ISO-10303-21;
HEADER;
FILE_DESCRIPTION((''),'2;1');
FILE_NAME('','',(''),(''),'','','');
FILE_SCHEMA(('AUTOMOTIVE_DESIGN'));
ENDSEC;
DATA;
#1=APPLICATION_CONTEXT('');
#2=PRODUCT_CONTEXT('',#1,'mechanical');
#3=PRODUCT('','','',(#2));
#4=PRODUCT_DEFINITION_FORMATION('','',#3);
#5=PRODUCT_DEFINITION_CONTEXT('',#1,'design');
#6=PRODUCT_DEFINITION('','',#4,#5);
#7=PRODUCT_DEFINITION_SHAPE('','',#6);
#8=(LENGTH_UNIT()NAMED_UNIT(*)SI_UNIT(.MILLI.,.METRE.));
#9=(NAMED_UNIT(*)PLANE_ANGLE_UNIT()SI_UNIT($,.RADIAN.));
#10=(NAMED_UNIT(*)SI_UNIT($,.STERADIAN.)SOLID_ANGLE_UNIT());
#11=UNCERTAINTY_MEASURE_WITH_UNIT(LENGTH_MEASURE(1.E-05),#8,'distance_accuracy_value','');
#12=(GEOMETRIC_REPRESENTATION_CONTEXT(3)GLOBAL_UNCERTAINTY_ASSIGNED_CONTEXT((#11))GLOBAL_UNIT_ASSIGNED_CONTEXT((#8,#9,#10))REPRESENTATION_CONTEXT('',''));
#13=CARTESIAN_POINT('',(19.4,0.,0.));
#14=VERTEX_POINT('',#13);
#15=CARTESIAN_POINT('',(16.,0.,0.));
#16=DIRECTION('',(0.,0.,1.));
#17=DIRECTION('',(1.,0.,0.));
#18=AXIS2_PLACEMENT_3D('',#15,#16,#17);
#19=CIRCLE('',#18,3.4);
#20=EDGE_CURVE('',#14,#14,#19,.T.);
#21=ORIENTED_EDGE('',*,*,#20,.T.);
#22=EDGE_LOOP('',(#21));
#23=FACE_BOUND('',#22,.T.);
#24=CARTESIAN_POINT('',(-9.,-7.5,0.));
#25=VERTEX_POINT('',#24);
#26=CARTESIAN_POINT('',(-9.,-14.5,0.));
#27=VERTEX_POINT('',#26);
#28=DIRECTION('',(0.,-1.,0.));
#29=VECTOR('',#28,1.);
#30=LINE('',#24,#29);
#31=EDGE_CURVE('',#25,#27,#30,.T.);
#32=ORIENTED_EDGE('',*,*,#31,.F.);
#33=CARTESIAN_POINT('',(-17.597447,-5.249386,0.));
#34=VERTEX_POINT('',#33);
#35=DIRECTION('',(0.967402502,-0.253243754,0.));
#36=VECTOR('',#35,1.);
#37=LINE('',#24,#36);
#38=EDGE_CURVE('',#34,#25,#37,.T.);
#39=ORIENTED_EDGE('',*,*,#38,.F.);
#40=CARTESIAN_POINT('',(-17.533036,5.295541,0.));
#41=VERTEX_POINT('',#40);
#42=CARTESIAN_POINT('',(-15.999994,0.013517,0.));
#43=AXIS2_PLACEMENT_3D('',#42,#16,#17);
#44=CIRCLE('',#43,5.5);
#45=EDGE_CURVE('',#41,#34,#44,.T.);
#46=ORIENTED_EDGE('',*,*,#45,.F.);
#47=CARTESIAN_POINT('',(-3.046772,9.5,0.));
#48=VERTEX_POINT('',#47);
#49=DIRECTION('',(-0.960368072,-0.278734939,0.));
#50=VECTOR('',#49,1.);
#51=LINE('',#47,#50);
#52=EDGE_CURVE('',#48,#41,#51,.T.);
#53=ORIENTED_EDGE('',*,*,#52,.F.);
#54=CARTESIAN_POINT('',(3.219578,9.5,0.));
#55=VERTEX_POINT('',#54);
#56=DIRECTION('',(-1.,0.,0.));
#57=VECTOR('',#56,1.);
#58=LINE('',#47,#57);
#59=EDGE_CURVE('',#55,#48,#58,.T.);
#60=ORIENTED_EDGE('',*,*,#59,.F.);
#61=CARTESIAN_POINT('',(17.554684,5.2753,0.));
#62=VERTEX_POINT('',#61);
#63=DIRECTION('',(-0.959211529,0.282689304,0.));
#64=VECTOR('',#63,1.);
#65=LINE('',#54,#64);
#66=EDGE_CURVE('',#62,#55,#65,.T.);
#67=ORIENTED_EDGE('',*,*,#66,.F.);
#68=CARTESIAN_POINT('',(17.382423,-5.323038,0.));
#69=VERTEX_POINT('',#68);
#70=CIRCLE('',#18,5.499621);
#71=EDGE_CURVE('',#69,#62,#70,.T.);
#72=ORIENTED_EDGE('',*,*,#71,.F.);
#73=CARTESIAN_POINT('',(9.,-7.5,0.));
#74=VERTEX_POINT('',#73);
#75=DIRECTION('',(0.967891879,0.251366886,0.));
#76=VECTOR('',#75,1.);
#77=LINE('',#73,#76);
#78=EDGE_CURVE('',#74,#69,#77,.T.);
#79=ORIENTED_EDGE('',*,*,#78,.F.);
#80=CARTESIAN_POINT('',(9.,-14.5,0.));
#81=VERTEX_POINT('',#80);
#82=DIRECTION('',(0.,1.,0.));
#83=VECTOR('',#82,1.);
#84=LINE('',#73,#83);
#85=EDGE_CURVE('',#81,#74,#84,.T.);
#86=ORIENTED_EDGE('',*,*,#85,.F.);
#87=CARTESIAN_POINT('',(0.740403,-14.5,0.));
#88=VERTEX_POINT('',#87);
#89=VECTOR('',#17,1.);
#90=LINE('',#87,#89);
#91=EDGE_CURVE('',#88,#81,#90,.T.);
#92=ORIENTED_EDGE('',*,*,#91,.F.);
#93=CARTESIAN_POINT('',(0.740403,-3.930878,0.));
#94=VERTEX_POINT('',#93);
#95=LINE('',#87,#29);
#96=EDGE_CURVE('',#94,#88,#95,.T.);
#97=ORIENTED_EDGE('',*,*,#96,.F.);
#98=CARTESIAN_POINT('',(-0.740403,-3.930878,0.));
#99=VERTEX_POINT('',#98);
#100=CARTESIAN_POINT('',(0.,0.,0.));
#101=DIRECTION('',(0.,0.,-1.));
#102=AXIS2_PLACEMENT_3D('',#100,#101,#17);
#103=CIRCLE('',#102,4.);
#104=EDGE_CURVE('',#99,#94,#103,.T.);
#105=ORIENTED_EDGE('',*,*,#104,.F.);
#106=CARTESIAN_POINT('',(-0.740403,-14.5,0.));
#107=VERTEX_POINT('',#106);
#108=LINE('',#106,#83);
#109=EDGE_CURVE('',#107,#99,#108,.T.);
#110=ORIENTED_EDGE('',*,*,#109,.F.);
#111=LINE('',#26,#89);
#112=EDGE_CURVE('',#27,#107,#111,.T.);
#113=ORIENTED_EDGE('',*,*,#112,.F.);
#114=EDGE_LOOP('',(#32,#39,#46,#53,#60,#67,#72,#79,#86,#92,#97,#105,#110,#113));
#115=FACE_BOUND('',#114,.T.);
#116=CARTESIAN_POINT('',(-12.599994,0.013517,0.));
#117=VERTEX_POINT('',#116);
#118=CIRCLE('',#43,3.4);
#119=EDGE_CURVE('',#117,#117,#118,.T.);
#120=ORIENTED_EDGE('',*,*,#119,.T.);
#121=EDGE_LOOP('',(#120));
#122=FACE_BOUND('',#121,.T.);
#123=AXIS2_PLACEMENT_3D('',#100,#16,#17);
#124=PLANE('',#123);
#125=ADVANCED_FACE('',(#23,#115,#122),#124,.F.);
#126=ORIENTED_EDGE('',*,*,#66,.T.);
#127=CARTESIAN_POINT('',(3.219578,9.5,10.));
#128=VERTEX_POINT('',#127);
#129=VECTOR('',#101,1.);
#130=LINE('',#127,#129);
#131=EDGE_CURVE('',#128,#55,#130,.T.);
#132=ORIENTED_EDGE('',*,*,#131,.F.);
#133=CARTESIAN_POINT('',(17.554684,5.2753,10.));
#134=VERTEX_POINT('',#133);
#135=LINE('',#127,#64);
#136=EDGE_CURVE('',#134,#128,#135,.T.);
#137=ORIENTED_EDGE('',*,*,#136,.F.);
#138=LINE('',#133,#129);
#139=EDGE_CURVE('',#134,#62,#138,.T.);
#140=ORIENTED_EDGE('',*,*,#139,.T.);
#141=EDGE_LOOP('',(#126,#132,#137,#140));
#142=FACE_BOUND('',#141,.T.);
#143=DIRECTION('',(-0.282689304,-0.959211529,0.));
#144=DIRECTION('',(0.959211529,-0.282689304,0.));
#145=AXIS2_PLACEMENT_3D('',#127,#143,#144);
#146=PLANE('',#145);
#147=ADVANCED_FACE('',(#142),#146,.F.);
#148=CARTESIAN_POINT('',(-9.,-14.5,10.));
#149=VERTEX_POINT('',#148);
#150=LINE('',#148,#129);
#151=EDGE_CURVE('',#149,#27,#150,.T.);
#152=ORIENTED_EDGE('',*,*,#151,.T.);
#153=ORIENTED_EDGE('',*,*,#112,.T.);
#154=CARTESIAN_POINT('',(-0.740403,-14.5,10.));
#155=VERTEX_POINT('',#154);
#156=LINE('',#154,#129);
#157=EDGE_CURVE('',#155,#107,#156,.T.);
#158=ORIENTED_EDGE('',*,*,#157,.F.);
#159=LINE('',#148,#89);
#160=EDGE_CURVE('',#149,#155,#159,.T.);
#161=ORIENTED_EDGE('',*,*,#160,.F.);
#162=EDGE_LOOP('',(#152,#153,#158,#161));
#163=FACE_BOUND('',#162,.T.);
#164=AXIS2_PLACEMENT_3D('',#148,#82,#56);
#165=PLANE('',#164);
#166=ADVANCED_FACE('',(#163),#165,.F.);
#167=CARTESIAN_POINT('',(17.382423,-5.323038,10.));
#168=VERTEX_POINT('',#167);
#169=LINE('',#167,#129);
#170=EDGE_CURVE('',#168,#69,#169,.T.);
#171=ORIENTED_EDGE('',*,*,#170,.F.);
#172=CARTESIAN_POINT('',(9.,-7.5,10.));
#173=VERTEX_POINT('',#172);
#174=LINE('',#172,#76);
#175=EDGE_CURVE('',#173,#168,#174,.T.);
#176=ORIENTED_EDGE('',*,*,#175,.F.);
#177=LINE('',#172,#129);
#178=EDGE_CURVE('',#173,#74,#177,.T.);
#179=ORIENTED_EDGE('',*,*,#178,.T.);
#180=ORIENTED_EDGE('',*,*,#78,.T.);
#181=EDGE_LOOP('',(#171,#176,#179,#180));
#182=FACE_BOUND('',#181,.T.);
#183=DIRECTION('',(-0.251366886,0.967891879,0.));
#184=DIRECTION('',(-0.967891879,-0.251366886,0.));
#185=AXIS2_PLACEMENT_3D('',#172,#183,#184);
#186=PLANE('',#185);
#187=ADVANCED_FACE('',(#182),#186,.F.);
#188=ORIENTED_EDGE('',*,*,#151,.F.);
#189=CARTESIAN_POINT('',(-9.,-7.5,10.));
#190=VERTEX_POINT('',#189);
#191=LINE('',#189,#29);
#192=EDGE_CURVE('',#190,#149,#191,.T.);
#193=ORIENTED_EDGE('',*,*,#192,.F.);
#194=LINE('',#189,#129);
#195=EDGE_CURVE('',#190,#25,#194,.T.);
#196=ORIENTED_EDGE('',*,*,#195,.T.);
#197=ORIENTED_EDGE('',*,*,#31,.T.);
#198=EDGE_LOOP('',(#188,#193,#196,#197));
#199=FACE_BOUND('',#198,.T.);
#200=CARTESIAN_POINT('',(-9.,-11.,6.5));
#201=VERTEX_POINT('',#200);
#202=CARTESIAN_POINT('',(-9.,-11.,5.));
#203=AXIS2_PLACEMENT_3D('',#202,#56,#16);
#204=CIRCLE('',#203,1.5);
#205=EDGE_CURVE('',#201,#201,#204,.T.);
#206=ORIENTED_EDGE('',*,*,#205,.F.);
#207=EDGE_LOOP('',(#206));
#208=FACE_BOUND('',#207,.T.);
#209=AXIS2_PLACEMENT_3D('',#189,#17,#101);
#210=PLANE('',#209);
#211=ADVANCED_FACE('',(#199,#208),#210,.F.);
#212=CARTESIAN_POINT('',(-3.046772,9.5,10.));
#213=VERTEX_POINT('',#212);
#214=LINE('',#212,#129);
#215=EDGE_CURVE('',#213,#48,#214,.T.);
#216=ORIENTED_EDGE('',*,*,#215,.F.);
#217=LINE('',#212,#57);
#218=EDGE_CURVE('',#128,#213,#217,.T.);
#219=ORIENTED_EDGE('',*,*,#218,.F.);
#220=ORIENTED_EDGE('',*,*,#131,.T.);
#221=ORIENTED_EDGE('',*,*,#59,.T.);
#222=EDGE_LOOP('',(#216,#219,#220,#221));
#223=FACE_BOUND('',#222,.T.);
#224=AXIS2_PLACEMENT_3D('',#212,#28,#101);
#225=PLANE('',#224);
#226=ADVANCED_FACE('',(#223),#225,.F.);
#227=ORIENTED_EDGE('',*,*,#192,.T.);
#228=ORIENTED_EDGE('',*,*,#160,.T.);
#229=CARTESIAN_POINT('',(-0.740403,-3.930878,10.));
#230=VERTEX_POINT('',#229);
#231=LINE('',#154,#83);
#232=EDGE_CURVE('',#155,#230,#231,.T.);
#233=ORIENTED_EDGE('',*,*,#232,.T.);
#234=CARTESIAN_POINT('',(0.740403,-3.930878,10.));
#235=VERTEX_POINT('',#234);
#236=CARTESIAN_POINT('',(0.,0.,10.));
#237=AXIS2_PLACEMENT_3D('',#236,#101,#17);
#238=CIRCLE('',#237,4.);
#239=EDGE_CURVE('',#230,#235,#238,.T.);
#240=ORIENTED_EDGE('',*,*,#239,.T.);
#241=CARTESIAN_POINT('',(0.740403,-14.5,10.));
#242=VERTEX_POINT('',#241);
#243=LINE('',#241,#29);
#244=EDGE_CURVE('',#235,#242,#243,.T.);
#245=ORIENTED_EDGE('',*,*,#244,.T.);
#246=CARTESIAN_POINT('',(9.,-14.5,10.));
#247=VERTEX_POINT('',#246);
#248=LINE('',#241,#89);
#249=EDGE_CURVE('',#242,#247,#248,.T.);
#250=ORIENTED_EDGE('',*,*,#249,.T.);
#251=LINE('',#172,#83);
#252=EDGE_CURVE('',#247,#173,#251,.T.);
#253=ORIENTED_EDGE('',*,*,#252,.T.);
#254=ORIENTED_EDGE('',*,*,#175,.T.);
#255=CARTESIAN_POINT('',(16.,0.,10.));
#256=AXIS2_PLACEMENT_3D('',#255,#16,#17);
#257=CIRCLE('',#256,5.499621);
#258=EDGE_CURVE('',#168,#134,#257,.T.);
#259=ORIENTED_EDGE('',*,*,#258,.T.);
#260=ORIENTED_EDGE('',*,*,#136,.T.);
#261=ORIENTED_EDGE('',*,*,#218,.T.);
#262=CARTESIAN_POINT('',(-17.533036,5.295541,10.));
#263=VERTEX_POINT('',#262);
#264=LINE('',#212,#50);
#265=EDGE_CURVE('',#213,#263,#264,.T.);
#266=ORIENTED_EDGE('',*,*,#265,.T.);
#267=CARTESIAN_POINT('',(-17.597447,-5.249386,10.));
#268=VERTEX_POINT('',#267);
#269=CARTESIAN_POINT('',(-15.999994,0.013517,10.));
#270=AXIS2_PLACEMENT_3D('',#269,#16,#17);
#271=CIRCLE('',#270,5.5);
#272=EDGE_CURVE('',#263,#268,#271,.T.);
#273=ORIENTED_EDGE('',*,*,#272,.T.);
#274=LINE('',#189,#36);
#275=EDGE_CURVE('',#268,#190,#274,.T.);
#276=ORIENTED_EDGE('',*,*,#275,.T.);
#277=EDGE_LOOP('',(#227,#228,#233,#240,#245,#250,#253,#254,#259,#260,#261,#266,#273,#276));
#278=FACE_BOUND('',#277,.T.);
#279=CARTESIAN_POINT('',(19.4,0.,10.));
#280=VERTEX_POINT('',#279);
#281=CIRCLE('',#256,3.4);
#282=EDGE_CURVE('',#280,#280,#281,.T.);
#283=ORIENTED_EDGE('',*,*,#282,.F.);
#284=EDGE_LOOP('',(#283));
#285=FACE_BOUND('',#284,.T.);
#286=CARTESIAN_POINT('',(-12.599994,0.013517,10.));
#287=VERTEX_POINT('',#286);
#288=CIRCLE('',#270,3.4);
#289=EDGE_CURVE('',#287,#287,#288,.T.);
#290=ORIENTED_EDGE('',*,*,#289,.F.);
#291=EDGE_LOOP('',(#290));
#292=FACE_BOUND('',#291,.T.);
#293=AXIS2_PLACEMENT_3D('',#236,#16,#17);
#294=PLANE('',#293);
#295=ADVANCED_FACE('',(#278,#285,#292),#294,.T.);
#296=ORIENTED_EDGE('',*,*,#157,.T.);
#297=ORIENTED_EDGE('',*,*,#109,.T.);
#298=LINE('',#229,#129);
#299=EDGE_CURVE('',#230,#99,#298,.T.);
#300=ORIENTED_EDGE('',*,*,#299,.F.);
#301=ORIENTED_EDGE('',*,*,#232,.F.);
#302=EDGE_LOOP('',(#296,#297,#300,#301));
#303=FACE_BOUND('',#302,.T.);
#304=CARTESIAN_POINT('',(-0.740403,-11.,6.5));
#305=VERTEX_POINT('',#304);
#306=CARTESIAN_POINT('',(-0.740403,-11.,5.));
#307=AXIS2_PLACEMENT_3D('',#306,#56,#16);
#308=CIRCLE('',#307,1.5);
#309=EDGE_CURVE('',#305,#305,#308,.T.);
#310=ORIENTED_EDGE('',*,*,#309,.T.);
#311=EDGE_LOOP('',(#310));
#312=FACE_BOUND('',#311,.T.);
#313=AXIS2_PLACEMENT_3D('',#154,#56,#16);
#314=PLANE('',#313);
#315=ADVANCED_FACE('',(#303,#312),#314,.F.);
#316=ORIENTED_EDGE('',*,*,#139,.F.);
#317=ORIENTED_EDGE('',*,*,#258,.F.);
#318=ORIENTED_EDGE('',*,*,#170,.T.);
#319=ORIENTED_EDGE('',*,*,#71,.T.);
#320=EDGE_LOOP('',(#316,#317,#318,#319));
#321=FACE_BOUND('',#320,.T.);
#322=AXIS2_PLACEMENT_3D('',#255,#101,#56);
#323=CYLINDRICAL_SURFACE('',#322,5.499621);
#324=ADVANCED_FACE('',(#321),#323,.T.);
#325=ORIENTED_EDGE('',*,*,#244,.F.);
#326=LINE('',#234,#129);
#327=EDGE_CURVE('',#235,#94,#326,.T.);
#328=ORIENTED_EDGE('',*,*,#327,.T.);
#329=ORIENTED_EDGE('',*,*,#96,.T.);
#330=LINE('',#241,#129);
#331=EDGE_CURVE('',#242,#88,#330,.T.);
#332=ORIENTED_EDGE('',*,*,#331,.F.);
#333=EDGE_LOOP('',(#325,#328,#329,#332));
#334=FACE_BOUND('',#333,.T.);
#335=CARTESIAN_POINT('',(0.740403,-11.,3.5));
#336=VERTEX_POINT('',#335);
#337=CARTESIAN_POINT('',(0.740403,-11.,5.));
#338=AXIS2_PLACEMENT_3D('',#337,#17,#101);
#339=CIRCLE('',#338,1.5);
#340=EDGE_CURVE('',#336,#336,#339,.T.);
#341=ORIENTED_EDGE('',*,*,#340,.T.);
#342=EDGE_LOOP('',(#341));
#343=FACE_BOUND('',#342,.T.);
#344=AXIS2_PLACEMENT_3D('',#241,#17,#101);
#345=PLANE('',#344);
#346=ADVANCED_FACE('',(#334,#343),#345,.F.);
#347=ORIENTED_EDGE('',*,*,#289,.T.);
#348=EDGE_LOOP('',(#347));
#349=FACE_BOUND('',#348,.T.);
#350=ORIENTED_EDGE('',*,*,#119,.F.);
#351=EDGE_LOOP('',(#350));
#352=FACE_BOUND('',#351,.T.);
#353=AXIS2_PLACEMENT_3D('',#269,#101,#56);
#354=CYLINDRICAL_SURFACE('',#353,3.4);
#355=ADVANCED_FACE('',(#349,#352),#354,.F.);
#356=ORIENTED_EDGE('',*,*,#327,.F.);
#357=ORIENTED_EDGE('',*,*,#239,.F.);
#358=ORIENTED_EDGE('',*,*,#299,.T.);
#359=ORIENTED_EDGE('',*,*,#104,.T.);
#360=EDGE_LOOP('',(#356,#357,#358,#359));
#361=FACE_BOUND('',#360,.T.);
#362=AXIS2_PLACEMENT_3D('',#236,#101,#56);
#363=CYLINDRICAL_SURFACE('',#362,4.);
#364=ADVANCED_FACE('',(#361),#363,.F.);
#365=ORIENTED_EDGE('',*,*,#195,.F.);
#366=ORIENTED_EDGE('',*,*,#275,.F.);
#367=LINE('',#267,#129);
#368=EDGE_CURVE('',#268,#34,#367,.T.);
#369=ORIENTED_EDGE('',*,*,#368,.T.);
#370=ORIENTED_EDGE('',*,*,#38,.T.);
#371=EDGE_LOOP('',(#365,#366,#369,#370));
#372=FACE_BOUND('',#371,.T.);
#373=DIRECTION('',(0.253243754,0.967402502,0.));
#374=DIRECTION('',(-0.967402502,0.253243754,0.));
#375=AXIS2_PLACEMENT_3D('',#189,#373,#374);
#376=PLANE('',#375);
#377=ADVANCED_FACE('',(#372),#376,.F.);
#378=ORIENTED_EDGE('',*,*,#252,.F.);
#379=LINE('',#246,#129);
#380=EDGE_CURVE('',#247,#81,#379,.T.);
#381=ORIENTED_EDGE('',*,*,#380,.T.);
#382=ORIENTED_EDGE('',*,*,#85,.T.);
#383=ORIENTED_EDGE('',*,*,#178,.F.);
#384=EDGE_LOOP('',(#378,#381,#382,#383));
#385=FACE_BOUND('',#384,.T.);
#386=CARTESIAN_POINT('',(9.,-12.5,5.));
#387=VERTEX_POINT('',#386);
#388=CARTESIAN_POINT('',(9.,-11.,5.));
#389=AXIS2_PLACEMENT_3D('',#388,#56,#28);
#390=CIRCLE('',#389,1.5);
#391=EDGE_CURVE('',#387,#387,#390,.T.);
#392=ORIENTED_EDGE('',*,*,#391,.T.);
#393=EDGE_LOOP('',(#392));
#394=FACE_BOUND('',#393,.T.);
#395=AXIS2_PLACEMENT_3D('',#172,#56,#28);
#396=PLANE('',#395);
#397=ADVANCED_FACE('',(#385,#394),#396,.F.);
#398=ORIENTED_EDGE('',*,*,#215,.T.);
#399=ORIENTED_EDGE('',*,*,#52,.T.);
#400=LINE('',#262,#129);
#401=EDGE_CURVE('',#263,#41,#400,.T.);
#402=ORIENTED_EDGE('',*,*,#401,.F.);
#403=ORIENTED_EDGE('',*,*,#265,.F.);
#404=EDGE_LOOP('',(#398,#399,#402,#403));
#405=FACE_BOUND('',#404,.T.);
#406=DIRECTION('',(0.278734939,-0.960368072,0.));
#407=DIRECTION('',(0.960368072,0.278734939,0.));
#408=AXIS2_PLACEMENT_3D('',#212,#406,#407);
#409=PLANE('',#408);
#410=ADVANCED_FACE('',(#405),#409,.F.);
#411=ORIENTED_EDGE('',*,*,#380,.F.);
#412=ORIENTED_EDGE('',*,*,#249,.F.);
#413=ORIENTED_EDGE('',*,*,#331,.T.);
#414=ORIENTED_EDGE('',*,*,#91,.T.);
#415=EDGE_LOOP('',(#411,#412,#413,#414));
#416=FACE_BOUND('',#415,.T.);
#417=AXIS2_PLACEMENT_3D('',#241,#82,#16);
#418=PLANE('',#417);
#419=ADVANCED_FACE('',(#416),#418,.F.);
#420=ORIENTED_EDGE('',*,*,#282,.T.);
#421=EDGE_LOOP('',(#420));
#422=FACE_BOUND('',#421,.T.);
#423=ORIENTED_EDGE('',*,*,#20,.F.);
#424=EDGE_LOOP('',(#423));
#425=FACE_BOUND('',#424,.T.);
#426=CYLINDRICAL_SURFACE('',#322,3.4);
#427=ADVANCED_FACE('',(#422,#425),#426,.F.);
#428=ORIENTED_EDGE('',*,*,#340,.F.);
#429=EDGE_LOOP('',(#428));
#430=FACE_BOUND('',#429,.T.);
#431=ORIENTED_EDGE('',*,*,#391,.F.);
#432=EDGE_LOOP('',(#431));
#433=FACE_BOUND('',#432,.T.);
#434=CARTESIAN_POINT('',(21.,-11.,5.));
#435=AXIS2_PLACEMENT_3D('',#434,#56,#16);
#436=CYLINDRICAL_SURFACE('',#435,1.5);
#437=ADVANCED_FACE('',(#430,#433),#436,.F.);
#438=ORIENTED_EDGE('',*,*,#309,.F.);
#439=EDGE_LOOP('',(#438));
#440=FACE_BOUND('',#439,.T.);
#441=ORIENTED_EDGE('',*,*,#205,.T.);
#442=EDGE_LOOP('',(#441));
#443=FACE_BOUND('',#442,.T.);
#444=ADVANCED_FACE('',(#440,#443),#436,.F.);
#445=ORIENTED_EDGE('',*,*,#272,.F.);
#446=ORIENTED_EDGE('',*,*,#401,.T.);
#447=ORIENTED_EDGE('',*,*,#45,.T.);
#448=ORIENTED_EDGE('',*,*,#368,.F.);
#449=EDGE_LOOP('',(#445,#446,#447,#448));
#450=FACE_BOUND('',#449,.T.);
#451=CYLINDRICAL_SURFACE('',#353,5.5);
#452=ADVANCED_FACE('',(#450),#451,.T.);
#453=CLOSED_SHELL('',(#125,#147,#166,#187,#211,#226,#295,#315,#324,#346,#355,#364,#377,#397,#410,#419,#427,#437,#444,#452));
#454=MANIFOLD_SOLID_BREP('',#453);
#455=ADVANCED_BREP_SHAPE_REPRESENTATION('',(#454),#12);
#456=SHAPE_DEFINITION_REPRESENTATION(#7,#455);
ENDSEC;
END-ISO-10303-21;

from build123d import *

# Parameters (mm, degrees)
SKETCH2_R           = 3.4
BOSS_EXTRUDE2_DEPTH = 10
SKETCH3_R           = 1.5
CUT_EXTRUDE1_DEPTH  = 30


with BuildPart() as part:
    # Sketch2 → Boss-Extrude2 (new body)
    with BuildSketch(Plane.XY):
        with BuildLine():
            Line((-3.046772292, 9.5), (3.21957788, 9.5))
            Line((3.21957788, 9.5), (17.554684003, 5.275299758))
            ThreePointArc((17.554684003, 5.275299758), (21.498894584, -0.089376976), (17.382422577, -5.32303839))
            Line((17.382422577, -5.32303839), (9, -7.5))
            Line((9, -7.5), (9, -14.5))
            Line((9, -14.5), (0.740403033, -14.5))
            Line((0.740403033, -14.5), (0.740403033, -3.930878191))
            ThreePointArc((0.740403033, -3.930878191), (0, 4), (-0.740403033, -3.930878191))
            Line((-0.740403033, -3.930878191), (-0.740403033, -14.5))
            Line((-0.740403033, -14.5), (-9, -14.5))
            Line((-9, -14.5), (-9, -7.5))
            Line((-9, -7.5), (-17.597446952, -5.249385871))
            ThreePointArc((-17.597446952, -5.249385871), (-21.499891691, 0.047111305), (-17.533036453, 5.295541242))
            Line((-17.533036453, 5.295541242), (-3.046772292, 9.5))
        make_face()
        with Locations((-15.99999429, 0.013516845)):
            Circle(SKETCH2_R, mode=Mode.SUBTRACT)
        with Locations((16, 0)):
            Circle(SKETCH2_R, mode=Mode.SUBTRACT)
    extrude(amount=BOSS_EXTRUDE2_DEPTH)

    # Sketch3 → Cut-Extrude1 (cut)
    with BuildSketch(Plane.ZY.offset(9)):
        with Locations((5, -11)):
            Circle(SKETCH3_R)
    extrude(amount=-CUT_EXTRUDE1_DEPTH, mode=Mode.SUBTRACT)


solid = part.part
